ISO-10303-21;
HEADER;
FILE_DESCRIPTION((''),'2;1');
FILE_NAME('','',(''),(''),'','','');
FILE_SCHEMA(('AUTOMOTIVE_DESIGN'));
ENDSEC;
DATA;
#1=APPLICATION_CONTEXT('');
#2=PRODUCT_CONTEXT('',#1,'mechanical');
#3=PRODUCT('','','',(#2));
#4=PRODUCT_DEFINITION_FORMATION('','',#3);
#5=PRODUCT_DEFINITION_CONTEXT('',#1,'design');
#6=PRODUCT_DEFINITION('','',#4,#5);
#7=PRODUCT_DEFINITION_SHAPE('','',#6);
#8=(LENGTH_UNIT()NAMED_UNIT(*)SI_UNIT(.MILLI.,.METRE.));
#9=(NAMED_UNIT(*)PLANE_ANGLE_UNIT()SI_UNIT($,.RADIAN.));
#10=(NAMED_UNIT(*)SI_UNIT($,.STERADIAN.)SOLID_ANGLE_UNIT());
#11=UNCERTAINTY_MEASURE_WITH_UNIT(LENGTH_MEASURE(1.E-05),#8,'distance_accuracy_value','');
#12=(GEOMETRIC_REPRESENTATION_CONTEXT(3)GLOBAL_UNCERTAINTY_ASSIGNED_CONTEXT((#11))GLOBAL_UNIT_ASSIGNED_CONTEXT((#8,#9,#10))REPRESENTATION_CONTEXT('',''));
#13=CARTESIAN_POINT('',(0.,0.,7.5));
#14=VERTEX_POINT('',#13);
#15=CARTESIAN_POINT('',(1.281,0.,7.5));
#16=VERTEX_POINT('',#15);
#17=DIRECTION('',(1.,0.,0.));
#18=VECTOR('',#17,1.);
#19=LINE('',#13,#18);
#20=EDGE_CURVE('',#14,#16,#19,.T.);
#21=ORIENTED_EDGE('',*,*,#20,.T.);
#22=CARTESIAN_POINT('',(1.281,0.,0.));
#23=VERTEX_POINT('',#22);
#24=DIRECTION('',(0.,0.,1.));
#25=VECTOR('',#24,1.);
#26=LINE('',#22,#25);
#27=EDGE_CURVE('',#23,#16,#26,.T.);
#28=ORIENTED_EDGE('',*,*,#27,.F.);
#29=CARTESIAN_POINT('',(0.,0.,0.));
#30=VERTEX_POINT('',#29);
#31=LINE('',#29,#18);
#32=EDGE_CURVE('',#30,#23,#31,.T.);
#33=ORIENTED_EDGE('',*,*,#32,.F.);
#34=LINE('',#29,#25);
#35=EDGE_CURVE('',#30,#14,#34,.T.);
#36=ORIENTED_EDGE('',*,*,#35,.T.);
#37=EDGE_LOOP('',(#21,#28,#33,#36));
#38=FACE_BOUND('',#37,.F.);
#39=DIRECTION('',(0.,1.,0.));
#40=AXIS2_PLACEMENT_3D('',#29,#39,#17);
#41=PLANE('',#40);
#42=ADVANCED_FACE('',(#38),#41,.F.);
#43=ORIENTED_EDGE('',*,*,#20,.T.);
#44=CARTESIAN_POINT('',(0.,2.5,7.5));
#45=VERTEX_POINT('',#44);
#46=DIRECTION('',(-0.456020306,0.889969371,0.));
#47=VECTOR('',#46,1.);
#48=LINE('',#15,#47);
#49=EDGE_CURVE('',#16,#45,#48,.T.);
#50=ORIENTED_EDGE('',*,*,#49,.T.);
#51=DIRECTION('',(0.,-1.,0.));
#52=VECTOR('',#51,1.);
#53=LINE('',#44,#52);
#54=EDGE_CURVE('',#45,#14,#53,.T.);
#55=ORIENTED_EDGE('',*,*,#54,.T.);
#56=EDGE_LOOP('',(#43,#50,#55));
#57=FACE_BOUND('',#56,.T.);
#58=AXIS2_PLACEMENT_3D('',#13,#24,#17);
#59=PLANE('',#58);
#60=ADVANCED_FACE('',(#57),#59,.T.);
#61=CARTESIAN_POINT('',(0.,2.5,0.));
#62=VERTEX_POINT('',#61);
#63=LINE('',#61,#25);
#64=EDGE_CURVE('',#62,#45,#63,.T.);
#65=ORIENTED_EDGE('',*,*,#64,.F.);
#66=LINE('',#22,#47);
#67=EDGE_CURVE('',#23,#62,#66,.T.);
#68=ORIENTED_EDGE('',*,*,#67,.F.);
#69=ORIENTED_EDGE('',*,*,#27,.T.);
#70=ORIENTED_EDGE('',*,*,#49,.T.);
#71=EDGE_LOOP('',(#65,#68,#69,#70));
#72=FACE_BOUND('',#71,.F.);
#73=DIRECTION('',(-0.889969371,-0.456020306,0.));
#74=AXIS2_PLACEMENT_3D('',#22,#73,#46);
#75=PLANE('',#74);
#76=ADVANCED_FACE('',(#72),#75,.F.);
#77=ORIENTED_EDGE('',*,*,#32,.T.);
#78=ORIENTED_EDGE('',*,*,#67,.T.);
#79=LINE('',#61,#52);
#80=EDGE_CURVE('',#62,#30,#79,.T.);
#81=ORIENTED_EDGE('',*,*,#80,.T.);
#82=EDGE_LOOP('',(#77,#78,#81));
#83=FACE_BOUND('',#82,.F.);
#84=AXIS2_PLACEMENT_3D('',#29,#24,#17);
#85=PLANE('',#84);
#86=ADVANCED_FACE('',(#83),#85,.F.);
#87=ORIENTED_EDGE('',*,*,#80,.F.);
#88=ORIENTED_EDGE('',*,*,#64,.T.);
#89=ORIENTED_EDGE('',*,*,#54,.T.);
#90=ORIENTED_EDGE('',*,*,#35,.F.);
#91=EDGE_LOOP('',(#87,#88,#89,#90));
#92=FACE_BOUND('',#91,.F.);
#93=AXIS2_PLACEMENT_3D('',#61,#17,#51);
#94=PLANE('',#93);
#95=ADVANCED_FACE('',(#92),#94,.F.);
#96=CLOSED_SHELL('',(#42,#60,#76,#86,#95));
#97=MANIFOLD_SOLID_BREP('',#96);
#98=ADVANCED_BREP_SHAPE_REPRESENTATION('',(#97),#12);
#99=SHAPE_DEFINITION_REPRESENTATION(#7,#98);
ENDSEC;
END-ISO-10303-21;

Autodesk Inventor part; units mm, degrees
ref_plane "YZ Plane" through (0, 0, 0) normal (1, 0, 0) x (0, 1, 0)
ref_plane "XZ Plane" through (0, 0, 0) normal (0, 1, 0) x (-1, 0, 0)
ref_plane "XY Plane" through (0, 0, 0) normal (0, 0, 1) x (1, 0, 0)
sketch "Boceto1" plane through (0, 0, 0) normal (0, 0, 1) x (1, 0, 0)
  line L0 (0, 0) -> (1.281, 0)
  line L1 (1.281, 0) -> (0, 2.5)
  line L2 (0, 2.5) -> (0, 0)
  dimension "d0" = 1.281
  dimension "d1" = 2.5
extrude "Extrusión1" add sketch "Boceto1" along normal blind 7.5
properties part number "ABREBOTELLAS INDIVIDUAL FIDE1.0"
